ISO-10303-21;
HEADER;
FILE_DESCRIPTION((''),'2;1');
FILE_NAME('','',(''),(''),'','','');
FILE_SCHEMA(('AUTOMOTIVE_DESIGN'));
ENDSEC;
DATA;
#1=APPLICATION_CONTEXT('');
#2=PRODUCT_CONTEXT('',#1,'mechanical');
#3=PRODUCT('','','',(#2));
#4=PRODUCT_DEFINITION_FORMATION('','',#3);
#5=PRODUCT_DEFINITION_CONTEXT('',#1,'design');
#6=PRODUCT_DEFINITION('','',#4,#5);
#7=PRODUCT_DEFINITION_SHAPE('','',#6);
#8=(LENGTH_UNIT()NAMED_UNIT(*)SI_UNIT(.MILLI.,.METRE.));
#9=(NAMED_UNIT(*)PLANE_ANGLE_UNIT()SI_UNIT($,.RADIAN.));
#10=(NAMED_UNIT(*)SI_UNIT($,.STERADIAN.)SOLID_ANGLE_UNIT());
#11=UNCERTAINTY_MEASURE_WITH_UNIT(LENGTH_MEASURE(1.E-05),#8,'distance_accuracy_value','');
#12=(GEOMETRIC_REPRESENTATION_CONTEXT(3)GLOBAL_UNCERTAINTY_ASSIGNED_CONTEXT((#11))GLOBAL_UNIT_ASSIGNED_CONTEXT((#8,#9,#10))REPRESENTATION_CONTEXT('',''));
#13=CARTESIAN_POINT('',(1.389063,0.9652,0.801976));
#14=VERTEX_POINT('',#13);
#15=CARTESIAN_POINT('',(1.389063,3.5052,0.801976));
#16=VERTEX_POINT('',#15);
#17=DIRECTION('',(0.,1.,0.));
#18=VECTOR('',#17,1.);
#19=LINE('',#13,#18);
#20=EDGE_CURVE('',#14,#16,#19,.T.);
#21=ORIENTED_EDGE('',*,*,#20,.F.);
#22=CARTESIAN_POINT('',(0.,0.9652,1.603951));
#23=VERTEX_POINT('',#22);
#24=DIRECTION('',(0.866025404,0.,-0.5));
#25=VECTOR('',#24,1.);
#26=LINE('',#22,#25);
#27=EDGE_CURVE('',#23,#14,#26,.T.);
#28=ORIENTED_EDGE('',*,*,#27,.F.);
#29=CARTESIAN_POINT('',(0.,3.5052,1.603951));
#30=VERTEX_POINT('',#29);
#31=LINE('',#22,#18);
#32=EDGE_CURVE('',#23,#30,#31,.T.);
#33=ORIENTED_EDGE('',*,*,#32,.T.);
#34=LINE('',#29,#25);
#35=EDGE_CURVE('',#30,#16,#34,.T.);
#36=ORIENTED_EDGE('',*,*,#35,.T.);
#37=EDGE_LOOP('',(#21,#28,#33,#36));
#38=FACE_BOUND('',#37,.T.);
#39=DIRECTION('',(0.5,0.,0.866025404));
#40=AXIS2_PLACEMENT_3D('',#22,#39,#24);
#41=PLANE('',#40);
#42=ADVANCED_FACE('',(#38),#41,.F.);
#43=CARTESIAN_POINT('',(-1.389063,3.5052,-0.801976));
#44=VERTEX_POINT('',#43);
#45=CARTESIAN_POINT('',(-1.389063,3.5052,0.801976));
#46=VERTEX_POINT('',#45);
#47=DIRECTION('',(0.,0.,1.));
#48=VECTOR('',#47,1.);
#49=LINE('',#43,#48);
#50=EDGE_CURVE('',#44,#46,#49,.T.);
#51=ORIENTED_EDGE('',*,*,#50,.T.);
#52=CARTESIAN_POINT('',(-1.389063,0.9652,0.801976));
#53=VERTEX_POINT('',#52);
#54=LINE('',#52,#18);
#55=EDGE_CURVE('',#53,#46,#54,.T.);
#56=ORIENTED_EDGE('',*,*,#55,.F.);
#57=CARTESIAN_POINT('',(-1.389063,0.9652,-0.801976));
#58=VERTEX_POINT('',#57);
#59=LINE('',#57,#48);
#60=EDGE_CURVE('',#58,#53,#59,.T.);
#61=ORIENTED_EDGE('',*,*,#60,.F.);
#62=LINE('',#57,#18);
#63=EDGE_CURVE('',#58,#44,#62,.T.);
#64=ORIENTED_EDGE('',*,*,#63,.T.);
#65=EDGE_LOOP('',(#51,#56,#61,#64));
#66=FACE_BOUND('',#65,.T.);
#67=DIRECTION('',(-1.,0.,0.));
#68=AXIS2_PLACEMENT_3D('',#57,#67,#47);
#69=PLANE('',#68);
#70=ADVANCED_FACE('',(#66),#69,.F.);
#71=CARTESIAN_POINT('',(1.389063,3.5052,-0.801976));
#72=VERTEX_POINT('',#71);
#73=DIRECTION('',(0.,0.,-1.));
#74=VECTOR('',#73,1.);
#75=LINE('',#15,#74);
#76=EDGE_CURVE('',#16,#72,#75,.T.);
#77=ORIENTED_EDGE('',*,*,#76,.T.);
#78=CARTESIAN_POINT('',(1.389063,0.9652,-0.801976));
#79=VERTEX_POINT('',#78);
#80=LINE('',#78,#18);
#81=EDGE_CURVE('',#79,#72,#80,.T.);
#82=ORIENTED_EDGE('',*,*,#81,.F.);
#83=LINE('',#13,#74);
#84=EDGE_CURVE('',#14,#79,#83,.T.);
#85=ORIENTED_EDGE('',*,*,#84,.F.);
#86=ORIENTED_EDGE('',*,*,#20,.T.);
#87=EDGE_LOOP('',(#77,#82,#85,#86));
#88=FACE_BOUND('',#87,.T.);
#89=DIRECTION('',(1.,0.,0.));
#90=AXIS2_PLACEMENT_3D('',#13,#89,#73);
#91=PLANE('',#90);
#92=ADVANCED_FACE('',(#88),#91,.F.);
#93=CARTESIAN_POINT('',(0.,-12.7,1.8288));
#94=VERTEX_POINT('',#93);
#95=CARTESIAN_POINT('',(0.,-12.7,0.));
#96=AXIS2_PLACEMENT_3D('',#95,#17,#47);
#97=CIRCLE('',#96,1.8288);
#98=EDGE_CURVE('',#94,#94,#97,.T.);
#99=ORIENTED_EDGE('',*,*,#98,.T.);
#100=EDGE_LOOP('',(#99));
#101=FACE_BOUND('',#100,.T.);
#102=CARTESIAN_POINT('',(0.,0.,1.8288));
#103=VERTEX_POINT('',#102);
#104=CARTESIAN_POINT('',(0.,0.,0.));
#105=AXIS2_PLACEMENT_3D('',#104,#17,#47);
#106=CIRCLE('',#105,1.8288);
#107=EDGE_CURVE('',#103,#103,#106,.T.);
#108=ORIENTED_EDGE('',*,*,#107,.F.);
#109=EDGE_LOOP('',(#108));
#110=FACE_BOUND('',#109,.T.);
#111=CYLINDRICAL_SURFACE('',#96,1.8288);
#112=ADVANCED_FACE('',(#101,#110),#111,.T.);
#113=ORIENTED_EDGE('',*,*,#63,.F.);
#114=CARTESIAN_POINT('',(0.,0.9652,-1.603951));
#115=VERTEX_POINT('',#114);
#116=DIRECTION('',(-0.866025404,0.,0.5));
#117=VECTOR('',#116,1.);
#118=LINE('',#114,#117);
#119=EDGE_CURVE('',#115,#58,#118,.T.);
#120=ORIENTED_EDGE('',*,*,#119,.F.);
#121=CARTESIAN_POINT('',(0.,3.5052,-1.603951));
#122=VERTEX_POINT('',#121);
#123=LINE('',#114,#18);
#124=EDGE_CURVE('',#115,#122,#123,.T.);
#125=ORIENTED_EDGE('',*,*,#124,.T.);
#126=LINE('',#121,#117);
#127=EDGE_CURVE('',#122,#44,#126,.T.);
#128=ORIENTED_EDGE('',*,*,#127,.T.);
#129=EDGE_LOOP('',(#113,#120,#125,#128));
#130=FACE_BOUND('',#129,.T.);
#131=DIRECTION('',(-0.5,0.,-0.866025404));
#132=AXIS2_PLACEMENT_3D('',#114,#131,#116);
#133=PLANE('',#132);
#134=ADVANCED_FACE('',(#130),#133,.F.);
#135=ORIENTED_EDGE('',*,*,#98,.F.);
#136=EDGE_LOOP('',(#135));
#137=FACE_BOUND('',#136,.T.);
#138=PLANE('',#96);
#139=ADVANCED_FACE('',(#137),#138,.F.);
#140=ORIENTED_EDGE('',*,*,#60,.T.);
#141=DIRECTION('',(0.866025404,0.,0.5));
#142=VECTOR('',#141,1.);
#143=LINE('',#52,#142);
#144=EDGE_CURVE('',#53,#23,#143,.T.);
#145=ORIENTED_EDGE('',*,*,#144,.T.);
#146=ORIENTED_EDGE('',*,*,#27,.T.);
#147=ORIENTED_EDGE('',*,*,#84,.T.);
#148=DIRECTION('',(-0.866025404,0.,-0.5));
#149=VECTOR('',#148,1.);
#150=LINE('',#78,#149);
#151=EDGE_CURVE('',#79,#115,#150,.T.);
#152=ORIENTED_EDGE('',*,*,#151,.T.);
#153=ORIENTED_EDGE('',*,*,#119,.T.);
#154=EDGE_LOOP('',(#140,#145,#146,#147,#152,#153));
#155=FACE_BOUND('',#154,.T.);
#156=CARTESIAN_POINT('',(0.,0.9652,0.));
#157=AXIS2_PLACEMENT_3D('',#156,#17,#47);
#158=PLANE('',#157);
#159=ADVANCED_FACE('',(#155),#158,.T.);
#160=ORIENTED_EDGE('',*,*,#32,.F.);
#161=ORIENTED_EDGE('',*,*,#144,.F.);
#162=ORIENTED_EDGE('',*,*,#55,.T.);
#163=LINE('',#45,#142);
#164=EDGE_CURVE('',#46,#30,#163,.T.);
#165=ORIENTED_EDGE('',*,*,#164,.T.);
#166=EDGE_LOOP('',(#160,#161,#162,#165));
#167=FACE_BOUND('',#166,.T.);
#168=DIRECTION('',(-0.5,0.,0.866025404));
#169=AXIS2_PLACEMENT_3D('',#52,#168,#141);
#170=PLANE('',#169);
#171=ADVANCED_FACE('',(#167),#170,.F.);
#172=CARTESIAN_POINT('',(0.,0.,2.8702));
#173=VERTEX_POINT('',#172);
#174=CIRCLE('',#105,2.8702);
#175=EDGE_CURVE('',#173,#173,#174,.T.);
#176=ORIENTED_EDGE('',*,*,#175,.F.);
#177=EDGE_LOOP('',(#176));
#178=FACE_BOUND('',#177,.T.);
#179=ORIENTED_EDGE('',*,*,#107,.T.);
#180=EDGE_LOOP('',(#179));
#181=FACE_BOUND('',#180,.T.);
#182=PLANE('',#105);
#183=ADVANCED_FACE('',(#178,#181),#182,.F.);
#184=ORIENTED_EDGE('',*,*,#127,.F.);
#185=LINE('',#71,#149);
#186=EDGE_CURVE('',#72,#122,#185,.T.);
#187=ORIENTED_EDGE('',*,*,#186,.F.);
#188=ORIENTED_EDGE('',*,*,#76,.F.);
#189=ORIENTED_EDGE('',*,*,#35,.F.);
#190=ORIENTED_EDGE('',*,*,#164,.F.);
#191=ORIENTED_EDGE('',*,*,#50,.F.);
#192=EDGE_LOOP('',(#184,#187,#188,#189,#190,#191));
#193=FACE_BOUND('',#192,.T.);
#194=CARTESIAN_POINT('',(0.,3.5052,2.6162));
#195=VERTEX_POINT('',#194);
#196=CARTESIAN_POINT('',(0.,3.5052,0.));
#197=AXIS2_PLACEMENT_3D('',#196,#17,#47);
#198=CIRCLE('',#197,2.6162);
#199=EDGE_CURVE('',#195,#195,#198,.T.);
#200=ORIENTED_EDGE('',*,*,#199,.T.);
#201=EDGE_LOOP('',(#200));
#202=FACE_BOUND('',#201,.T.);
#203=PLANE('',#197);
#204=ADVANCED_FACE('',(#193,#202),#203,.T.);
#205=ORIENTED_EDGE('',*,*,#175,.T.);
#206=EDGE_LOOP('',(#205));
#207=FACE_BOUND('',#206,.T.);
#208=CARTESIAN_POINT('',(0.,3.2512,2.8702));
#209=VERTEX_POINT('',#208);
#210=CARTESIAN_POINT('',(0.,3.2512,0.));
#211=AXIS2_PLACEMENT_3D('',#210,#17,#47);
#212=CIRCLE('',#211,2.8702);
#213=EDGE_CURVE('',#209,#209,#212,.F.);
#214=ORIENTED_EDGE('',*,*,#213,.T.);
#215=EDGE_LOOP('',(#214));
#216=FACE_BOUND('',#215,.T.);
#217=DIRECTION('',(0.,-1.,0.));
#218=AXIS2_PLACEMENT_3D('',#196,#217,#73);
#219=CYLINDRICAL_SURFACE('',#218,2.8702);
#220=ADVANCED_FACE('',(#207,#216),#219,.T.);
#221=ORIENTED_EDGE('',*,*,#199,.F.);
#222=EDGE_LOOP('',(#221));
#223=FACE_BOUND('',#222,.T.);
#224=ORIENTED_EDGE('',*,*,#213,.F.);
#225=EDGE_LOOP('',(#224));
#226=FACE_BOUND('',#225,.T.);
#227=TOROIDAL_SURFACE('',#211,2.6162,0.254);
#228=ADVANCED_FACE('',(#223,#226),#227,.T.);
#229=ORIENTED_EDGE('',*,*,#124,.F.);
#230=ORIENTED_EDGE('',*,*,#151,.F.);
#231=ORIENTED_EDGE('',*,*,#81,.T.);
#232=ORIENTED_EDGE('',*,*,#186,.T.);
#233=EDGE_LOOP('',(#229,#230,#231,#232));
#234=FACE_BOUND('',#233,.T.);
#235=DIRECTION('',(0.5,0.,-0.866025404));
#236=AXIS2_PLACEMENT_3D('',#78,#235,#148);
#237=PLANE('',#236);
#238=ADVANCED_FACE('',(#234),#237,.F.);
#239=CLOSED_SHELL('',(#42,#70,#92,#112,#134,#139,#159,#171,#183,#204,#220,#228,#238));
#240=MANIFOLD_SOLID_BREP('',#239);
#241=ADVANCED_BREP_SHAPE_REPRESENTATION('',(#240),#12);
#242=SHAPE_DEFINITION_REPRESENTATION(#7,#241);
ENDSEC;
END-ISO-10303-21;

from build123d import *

# Parameters (mm, degrees)
SKETCH1_R           = 1.8288
BOSS_EXTRUDE1_DEPTH = 12.7
SKETCH2_R           = 2.8702
BOSS_EXTRUDE2_DEPTH = 3.5052
FILLET1_R           = 0.254
CUT_EXTRUDE1_DEPTH  = 2.54


with BuildPart() as part:
    # Sketch1 → Boss-Extrude1 (new body)
    with BuildSketch(Plane(origin=(0, 0, 0), x_dir=(1, 0, 0), z_dir=(0, 1, 0))):
        with Locations(Location((0, 0, 0), (0, 0, 270))):
            Circle(SKETCH1_R)
    extrude(amount=-BOSS_EXTRUDE1_DEPTH)

    # Sketch2 → Boss-Extrude2 (add)
    with BuildSketch(Plane(origin=(0, 0, 0), x_dir=(1, 0, 0), z_dir=(0, 1, 0))):
        with Locations(Location((0, 0, 0), (0, 0, 270))):
            Circle(SKETCH2_R)
    extrude(amount=BOSS_EXTRUDE2_DEPTH)

    # Fillet1
    fillet1_edges = [part.edges().sort_by_distance(p)[0] for p in [
        (0, 3.5052, -2.8702),
    ]]
    fillet(fillet1_edges, radius=FILLET1_R)

    # Sketch3 → Cut-Extrude1 (cut)
    with BuildSketch(Plane(origin=(0, 3.5052, 0), x_dir=(1, 0, 0), z_dir=(0, 1, 0))):
        Polygon((0, 1.603951217), (-1.3890625, 0.801975608), (-1.3890625, -0.801975608), (0, -1.603951217), (1.3890625, -0.801975608), (1.3890625, 0.801975608), align=None)
    extrude(amount=-CUT_EXTRUDE1_DEPTH, mode=Mode.SUBTRACT)


solid = part.part
